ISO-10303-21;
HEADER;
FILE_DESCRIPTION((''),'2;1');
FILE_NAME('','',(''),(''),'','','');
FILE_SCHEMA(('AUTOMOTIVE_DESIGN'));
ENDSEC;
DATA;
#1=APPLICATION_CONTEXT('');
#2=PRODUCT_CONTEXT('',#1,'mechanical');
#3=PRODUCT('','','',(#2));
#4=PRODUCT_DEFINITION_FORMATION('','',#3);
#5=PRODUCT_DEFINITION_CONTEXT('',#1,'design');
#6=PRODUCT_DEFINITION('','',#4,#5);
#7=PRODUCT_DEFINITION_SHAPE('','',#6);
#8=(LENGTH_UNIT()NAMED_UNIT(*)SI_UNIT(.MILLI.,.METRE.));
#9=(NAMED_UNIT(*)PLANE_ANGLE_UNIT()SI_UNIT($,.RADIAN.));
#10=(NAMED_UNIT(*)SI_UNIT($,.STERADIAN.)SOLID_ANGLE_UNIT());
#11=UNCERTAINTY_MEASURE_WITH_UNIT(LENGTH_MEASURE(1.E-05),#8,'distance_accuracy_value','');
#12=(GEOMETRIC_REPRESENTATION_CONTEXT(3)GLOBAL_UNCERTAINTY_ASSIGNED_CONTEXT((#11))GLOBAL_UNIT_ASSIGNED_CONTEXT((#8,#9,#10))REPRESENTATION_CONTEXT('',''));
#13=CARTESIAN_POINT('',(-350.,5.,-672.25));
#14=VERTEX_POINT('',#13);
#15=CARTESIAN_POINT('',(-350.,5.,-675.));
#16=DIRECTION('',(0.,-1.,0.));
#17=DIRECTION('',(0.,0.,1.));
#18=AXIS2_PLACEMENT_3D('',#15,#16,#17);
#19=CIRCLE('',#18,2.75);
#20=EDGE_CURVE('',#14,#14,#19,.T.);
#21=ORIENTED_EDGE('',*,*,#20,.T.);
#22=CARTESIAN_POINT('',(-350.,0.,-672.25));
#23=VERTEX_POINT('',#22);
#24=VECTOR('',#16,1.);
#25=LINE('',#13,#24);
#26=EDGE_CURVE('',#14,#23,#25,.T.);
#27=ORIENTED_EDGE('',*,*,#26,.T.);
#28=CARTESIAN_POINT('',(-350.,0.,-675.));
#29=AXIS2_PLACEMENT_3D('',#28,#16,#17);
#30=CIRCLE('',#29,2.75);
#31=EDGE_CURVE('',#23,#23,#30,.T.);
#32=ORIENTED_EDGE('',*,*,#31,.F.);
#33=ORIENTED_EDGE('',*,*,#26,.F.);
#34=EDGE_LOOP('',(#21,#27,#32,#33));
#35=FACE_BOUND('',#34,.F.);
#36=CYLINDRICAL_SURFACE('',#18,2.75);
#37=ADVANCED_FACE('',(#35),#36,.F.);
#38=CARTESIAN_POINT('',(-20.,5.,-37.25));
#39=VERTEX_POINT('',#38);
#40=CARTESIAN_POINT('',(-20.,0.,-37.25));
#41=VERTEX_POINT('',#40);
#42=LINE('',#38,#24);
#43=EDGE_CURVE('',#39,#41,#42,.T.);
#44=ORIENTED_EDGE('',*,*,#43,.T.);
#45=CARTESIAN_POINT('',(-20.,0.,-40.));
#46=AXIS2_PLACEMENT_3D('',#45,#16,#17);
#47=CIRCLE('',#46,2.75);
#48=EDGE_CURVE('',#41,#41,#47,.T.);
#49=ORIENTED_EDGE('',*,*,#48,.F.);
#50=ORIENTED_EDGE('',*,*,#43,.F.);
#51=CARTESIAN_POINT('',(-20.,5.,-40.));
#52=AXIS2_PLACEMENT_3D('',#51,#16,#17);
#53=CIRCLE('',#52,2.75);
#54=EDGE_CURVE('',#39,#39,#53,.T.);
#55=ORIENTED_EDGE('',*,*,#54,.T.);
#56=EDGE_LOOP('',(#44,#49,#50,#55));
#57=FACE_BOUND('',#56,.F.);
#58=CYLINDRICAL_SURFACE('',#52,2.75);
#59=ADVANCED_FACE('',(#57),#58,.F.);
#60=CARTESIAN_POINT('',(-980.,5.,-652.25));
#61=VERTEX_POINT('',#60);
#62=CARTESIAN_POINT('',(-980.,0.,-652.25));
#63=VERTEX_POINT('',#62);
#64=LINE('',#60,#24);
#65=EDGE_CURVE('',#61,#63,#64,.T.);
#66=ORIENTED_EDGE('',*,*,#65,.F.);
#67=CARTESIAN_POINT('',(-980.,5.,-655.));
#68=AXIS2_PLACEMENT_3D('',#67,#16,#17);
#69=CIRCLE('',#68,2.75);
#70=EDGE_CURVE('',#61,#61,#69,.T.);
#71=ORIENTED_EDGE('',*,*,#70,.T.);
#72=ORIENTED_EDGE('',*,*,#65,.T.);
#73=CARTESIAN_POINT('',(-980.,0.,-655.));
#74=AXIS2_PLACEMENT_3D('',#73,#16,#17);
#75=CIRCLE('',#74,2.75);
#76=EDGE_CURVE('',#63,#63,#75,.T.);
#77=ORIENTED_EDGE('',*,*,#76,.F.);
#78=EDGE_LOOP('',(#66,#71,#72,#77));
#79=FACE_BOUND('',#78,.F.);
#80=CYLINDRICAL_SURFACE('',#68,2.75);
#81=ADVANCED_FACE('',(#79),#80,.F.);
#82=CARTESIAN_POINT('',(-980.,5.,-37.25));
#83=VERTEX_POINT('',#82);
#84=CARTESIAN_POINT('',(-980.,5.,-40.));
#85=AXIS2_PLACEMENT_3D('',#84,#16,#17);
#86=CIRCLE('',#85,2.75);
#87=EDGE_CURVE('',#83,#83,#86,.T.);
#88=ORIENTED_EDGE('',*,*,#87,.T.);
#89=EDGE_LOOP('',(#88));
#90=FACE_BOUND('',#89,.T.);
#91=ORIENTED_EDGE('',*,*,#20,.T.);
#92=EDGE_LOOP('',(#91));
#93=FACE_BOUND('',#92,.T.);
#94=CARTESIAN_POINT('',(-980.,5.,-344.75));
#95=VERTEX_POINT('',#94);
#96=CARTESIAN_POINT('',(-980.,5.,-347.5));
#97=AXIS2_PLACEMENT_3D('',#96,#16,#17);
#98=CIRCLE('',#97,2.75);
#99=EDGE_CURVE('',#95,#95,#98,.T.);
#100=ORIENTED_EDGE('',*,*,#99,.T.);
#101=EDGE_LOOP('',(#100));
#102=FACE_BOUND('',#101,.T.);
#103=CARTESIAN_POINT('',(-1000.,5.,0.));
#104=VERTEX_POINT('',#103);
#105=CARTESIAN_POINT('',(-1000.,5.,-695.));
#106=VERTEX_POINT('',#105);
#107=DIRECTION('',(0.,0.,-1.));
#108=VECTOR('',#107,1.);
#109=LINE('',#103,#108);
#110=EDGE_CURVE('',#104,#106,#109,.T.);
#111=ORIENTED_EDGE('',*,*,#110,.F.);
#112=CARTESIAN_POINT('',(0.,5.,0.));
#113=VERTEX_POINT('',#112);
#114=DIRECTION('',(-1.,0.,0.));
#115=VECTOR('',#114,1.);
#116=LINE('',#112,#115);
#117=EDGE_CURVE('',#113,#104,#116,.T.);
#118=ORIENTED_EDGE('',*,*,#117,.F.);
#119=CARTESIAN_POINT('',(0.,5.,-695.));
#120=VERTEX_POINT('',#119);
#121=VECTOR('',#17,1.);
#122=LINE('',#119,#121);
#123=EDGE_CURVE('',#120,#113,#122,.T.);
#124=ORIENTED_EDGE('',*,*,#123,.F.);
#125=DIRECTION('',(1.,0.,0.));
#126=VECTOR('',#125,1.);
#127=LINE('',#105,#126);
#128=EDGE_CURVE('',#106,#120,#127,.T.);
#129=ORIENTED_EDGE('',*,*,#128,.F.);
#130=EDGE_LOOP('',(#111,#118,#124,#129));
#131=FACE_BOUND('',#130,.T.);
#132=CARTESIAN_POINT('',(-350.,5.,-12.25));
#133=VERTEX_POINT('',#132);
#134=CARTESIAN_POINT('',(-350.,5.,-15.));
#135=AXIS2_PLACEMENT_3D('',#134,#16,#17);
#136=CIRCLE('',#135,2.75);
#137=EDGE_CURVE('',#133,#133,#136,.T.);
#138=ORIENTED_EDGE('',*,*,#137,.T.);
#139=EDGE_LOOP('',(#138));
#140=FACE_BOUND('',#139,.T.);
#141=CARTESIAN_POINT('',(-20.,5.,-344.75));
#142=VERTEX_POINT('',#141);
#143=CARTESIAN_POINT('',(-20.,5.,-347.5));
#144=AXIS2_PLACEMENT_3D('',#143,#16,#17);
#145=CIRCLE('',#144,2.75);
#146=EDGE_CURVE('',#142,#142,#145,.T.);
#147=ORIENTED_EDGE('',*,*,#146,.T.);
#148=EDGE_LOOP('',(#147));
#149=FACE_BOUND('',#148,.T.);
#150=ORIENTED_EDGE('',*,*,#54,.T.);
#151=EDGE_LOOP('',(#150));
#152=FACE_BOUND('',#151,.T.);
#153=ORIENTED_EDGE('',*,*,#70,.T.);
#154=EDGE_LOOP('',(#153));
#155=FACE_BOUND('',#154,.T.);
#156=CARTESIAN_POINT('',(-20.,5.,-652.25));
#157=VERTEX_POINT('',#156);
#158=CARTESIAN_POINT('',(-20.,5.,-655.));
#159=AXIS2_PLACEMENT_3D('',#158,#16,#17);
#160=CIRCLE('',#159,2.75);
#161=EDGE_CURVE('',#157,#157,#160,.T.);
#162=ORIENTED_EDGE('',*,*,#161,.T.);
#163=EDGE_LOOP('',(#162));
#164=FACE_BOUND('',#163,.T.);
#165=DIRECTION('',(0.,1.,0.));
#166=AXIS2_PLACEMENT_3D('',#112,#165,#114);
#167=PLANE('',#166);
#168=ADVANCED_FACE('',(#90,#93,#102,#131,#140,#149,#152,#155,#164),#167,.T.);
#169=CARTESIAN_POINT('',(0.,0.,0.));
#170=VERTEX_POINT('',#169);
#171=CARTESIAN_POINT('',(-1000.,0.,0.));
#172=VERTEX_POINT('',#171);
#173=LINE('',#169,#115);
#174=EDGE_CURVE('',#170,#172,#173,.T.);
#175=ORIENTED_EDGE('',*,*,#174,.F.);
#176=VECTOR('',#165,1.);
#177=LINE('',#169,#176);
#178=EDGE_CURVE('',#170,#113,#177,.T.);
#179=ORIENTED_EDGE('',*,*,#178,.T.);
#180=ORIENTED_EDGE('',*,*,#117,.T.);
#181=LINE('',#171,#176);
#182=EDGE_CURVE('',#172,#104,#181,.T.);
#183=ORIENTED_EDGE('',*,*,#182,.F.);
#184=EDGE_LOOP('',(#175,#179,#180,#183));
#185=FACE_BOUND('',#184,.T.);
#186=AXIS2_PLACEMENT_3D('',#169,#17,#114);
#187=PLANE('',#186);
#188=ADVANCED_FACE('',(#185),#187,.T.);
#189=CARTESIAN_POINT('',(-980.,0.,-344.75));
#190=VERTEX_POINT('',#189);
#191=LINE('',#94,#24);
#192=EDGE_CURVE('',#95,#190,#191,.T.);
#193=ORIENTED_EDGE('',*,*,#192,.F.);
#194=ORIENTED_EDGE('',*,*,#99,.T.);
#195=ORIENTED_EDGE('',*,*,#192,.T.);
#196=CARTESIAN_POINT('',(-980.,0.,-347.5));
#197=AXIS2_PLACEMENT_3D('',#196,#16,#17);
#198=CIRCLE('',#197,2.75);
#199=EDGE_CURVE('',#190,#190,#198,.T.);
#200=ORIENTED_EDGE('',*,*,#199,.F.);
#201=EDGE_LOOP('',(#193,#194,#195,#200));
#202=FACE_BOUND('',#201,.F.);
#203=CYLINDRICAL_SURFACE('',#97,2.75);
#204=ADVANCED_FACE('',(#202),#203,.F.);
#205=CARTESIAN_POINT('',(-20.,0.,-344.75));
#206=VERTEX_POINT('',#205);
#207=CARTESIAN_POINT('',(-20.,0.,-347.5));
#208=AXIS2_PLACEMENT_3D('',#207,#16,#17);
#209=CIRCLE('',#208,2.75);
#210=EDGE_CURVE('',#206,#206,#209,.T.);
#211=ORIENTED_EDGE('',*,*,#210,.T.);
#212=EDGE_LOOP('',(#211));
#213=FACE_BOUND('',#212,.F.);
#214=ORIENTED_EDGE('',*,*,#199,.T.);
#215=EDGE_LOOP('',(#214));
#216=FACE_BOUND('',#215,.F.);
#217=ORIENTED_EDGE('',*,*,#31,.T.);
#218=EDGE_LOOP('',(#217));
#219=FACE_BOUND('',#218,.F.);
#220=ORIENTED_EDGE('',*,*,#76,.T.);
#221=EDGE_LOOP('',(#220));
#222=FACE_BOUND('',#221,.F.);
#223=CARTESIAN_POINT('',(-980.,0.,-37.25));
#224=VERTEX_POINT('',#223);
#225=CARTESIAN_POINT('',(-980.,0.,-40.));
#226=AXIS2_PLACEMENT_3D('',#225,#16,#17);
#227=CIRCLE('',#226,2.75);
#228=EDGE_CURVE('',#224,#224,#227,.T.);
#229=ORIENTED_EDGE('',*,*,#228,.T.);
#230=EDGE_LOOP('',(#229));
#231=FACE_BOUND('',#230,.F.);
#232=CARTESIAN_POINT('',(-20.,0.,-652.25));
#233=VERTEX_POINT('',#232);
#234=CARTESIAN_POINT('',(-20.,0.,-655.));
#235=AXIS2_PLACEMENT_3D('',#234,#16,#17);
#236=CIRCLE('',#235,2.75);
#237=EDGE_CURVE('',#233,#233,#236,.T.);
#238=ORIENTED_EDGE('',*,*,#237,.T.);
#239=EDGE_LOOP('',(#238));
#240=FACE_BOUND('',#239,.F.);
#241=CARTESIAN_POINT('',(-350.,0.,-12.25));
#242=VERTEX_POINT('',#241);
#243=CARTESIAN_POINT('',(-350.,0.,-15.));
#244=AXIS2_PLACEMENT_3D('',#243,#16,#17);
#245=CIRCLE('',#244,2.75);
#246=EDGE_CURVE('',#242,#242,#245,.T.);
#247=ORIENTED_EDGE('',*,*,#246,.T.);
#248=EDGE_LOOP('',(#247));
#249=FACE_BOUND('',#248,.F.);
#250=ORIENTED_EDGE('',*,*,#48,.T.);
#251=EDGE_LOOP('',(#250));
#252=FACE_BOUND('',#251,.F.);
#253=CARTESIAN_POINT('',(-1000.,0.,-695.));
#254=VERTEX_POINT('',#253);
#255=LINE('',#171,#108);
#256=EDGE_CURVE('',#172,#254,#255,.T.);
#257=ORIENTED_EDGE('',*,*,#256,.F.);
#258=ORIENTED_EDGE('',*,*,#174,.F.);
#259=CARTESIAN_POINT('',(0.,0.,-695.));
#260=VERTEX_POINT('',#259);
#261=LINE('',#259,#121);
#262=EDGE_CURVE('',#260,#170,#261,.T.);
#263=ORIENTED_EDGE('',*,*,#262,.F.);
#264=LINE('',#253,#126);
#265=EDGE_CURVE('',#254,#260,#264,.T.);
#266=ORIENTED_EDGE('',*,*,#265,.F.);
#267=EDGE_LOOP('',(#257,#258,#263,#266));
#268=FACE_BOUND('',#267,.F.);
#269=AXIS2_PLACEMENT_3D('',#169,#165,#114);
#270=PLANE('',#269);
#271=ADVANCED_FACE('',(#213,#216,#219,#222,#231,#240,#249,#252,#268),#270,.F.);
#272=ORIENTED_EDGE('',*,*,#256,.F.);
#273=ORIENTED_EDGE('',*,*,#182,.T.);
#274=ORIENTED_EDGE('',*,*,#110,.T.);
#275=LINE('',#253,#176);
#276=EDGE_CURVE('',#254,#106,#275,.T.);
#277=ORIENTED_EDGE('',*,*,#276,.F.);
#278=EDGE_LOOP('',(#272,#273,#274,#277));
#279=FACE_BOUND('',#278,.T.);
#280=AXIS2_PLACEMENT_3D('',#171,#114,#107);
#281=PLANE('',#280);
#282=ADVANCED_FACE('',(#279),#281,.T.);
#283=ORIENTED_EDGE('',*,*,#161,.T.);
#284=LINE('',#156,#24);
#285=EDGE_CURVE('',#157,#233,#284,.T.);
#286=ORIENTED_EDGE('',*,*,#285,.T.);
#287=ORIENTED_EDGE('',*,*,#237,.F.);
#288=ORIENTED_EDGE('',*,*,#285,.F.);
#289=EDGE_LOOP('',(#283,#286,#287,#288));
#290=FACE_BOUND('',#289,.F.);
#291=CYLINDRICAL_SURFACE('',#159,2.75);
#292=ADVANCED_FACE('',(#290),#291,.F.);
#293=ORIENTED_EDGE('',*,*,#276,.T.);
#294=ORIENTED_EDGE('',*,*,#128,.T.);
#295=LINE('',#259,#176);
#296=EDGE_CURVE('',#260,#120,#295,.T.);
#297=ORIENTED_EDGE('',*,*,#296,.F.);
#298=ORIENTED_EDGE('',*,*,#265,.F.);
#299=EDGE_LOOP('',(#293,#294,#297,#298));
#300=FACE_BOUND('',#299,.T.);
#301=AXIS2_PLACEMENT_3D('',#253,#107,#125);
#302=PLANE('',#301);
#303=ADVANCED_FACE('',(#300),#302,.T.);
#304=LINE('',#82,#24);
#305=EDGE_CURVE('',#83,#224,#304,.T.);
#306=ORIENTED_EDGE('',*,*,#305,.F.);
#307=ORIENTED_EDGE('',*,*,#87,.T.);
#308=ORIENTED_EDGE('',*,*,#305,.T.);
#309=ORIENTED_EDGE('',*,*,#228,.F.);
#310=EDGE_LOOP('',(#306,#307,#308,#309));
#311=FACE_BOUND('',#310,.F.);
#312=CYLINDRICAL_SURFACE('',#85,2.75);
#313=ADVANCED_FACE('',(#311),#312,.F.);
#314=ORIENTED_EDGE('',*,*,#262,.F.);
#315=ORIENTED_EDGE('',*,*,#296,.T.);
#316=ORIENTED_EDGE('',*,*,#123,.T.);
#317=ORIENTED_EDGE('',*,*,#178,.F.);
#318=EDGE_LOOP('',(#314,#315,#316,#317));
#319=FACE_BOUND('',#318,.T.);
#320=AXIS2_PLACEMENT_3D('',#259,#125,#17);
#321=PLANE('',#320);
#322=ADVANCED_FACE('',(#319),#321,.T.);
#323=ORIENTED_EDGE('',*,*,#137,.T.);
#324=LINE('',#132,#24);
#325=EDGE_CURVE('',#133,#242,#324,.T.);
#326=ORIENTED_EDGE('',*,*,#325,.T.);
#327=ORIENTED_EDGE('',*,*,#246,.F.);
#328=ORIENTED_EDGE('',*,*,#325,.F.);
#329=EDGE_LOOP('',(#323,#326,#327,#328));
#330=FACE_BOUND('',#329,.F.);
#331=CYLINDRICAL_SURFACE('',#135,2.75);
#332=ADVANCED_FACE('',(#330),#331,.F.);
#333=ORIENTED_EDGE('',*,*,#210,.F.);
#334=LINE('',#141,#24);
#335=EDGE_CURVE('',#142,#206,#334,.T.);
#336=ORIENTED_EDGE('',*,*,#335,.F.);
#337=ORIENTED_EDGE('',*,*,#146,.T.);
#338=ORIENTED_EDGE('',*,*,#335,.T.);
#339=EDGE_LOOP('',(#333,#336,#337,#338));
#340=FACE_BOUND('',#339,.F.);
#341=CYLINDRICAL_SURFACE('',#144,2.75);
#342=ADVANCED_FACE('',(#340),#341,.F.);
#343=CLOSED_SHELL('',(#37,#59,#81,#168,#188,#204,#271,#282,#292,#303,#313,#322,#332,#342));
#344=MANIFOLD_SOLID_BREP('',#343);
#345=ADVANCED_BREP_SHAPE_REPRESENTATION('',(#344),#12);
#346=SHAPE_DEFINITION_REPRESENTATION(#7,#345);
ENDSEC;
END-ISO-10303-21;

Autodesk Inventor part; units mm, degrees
ref_plane "YZ Plane" through (0, 0, 0) normal (1, 0, 0) x (0, 1, 0)
ref_plane "XZ Plane" through (0, 0, 0) normal (0, 1, 0) x (-1, 0, 0)
ref_plane "XY Plane" through (0, 0, 0) normal (0, 0, 1) x (1, 0, 0)
sketch "Sketch1" plane through (0, 0, 0) normal (0, 1, 0) x (-1, 0, 0)
  line L0 (0, 0) -> (1000, 0)
  line L1 (1000, 0) -> (1000, -695)
  line L2 (1000, -695) -> (0, -695)
  line L3 (0, -695) -> (0, 0)
  dimension "d0" = 695
  dimension "d1" = 1000
extrude "Extrusion1" add sketch "Sketch1" along normal blind 5
sketch "Sketch2" plane through (0, 5, 0) normal (0, 1, 0) x (1, 0, 0)
  line L0 (-1000, 0) -> (0, 0) projected
  line L1 (0, 0) -> (0, 695) projected
  line L2 (0, 695) -> (-1000, 695) projected
  line L3 (-1000, 695) -> (-1000, 0) projected
  point P0 (-20, 40)
  point P1 (-20, 347.5)
  point P2 (-20, 655)
  point P3 (-980, 40)
  point P4 (-980, 347.5)
  point P5 (-980, 655)
  dimension "d4" = 40
  dimension "d5" = 20
  dimension "d6" = 20
  dimension "d7" = 20
  dimension "d8" = 347.5
  dimension "d9" = 40
  dimension "d14" = 40
  dimension "d15" = 40
  dimension "d16" = 347.5
  dimension "d17" = 20
  dimension "d18" = 20
  dimension "d19" = 20
hole "Hole1" at (-20, 5, -40) at (-20, 5, -347.5) at (-20, 5, -655) at (-980, 5, -40) at (-980, 5, -347.5) at (-980, 5, -655) direction (0, -1, 0) diameter 5.5 end through all
sketch "Sketch3" plane through (0, 5, 0) normal (0, 1, 0) x (1, 0, 0)
  line L0 (0, 0) -> (0, 695) projected
  line L1 (-1000, 0) -> (0, 0) projected
  line L2 (0, 695) -> (-1000, 695) projected
  point P0 (-350, 15)
  point P1 (-350, 675)
  dimension "d27" = 350
  dimension "d28" = 15
  dimension "d29" = 20
  dimension "d30" = 350
hole "Hole2" at (-350, 5, -15) at (-350, 5, -675) direction (0, -1, 0) diameter 5.5 end through all
equation "\"d6\" = d5"
equation "\"d7\" = d5"
equation "\"d9\" = d4"
equation "\"d14\" = d4"
equation "\"d15\" = d4"
equation "\"d16\" = d8"
equation "\"d17\" = d5"
equation "\"d18\" = d5"
equation "\"d19\" = d5"
equation "\"d30\" = d27"
properties part number "SidePanel"
